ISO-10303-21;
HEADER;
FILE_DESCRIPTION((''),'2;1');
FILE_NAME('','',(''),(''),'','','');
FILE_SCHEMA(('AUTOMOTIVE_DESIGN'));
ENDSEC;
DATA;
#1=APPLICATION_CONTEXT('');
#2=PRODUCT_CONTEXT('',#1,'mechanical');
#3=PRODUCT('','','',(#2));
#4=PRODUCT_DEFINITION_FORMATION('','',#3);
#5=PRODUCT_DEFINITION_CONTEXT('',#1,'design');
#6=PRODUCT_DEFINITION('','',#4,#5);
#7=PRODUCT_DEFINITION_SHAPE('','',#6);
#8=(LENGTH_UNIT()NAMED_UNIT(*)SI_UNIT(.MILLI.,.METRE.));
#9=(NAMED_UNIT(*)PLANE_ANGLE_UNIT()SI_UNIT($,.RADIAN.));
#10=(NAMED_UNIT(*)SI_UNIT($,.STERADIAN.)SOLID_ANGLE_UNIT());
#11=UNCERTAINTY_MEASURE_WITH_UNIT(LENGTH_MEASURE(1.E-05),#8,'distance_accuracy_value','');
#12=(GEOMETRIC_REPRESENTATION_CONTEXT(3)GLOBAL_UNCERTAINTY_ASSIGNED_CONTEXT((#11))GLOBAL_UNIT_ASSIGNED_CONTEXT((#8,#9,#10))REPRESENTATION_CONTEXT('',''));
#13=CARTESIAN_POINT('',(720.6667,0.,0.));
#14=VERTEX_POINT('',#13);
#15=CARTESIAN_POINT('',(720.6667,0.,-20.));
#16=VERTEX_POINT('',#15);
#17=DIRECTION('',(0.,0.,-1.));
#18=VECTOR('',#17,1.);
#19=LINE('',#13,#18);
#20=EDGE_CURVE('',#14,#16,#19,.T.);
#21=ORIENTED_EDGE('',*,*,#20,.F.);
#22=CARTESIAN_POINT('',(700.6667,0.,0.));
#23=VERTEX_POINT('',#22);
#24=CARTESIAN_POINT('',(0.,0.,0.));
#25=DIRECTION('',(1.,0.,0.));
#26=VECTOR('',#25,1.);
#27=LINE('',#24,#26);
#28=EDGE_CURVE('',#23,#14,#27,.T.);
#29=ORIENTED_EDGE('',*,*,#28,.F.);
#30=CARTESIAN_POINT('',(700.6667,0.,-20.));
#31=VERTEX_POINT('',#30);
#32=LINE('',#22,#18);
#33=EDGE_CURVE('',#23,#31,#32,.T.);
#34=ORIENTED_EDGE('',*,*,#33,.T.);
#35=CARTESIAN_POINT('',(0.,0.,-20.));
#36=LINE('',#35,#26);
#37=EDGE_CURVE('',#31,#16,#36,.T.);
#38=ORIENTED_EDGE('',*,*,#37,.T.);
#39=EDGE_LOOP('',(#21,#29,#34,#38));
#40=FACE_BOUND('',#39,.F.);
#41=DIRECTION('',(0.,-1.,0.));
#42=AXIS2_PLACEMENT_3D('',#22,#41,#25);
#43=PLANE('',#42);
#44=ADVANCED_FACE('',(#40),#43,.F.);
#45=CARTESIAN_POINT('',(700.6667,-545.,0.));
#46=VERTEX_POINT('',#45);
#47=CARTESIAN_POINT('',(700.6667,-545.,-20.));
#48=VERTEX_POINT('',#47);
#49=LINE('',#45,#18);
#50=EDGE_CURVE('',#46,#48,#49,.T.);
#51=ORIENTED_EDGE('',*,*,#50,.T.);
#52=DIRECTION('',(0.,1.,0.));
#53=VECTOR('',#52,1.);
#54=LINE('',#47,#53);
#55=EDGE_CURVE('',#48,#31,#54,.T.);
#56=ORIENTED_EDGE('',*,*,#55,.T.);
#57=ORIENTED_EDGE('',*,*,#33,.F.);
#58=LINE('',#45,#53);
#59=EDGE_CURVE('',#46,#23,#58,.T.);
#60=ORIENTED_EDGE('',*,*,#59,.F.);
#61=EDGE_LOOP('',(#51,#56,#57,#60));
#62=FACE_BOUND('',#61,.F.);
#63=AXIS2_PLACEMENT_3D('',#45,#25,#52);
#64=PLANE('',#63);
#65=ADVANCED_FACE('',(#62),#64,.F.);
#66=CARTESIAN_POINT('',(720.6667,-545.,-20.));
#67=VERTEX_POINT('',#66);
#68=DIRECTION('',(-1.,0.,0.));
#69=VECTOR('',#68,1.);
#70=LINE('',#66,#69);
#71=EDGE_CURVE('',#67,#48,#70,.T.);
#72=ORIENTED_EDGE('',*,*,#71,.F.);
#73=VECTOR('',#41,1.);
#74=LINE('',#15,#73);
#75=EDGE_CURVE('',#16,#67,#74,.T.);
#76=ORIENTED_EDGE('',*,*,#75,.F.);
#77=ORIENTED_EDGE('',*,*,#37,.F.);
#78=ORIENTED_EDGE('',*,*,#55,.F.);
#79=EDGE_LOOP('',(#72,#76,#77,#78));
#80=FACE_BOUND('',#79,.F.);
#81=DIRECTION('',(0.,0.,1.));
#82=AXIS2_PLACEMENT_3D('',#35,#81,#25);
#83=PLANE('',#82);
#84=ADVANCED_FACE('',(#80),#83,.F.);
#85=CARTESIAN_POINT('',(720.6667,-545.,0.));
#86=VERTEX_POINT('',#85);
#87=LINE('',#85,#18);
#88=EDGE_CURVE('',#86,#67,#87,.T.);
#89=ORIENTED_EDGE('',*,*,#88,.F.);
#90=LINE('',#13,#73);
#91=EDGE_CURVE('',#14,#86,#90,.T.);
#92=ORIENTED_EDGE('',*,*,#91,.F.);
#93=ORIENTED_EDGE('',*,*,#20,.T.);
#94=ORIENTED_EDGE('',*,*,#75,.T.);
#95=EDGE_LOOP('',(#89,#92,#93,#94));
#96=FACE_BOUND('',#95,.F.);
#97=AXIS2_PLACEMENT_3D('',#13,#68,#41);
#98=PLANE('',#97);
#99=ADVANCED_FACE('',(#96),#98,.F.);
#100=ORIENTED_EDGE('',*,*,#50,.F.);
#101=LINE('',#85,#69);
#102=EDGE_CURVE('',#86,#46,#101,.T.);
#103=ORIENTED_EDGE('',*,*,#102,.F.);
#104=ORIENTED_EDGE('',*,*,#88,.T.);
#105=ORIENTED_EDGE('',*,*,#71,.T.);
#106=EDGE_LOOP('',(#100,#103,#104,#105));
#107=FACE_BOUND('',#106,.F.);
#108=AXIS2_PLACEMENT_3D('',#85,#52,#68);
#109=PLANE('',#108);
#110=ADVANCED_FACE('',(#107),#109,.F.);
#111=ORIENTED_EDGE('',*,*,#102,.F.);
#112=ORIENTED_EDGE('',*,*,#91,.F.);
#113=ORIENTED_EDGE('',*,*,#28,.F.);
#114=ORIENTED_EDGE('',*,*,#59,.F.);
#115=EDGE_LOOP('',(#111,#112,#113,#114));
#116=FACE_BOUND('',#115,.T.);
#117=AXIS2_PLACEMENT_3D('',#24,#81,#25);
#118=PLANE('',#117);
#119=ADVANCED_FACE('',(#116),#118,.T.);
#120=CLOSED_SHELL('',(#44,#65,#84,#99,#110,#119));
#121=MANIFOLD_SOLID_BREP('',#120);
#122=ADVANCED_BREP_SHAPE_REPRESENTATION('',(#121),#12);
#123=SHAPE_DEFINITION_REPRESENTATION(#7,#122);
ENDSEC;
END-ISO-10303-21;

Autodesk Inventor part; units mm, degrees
ref_plane "YZ Plane" through (0, 0, 0) normal (1, 0, 0) x (0, 1, 0)
ref_plane "XZ Plane" through (0, 0, 0) normal (0, 1, 0) x (-1, 0, 0)
ref_plane "XY Plane" through (0, 0, 0) normal (0, 0, 1) x (1, 0, 0)
sketch "草圖1" plane through (0, 0, 0) normal (0, 0, 1) x (1, 0, 0)
  line L0 (0, 0) -> (755.6667, 0)
  line L1 (720.6667, 0) -> (720.6667, -545)
  line L2 (720.6667, -545) -> (700.6667, -545)
  line L3 (700.6667, -545) -> (700.6667, 0)
  dimension "d1" = 545
  dimension "d2" = 20
extrude "擠出1" add sketch "草圖1" against normal blind 20
properties part number "DOF9"
